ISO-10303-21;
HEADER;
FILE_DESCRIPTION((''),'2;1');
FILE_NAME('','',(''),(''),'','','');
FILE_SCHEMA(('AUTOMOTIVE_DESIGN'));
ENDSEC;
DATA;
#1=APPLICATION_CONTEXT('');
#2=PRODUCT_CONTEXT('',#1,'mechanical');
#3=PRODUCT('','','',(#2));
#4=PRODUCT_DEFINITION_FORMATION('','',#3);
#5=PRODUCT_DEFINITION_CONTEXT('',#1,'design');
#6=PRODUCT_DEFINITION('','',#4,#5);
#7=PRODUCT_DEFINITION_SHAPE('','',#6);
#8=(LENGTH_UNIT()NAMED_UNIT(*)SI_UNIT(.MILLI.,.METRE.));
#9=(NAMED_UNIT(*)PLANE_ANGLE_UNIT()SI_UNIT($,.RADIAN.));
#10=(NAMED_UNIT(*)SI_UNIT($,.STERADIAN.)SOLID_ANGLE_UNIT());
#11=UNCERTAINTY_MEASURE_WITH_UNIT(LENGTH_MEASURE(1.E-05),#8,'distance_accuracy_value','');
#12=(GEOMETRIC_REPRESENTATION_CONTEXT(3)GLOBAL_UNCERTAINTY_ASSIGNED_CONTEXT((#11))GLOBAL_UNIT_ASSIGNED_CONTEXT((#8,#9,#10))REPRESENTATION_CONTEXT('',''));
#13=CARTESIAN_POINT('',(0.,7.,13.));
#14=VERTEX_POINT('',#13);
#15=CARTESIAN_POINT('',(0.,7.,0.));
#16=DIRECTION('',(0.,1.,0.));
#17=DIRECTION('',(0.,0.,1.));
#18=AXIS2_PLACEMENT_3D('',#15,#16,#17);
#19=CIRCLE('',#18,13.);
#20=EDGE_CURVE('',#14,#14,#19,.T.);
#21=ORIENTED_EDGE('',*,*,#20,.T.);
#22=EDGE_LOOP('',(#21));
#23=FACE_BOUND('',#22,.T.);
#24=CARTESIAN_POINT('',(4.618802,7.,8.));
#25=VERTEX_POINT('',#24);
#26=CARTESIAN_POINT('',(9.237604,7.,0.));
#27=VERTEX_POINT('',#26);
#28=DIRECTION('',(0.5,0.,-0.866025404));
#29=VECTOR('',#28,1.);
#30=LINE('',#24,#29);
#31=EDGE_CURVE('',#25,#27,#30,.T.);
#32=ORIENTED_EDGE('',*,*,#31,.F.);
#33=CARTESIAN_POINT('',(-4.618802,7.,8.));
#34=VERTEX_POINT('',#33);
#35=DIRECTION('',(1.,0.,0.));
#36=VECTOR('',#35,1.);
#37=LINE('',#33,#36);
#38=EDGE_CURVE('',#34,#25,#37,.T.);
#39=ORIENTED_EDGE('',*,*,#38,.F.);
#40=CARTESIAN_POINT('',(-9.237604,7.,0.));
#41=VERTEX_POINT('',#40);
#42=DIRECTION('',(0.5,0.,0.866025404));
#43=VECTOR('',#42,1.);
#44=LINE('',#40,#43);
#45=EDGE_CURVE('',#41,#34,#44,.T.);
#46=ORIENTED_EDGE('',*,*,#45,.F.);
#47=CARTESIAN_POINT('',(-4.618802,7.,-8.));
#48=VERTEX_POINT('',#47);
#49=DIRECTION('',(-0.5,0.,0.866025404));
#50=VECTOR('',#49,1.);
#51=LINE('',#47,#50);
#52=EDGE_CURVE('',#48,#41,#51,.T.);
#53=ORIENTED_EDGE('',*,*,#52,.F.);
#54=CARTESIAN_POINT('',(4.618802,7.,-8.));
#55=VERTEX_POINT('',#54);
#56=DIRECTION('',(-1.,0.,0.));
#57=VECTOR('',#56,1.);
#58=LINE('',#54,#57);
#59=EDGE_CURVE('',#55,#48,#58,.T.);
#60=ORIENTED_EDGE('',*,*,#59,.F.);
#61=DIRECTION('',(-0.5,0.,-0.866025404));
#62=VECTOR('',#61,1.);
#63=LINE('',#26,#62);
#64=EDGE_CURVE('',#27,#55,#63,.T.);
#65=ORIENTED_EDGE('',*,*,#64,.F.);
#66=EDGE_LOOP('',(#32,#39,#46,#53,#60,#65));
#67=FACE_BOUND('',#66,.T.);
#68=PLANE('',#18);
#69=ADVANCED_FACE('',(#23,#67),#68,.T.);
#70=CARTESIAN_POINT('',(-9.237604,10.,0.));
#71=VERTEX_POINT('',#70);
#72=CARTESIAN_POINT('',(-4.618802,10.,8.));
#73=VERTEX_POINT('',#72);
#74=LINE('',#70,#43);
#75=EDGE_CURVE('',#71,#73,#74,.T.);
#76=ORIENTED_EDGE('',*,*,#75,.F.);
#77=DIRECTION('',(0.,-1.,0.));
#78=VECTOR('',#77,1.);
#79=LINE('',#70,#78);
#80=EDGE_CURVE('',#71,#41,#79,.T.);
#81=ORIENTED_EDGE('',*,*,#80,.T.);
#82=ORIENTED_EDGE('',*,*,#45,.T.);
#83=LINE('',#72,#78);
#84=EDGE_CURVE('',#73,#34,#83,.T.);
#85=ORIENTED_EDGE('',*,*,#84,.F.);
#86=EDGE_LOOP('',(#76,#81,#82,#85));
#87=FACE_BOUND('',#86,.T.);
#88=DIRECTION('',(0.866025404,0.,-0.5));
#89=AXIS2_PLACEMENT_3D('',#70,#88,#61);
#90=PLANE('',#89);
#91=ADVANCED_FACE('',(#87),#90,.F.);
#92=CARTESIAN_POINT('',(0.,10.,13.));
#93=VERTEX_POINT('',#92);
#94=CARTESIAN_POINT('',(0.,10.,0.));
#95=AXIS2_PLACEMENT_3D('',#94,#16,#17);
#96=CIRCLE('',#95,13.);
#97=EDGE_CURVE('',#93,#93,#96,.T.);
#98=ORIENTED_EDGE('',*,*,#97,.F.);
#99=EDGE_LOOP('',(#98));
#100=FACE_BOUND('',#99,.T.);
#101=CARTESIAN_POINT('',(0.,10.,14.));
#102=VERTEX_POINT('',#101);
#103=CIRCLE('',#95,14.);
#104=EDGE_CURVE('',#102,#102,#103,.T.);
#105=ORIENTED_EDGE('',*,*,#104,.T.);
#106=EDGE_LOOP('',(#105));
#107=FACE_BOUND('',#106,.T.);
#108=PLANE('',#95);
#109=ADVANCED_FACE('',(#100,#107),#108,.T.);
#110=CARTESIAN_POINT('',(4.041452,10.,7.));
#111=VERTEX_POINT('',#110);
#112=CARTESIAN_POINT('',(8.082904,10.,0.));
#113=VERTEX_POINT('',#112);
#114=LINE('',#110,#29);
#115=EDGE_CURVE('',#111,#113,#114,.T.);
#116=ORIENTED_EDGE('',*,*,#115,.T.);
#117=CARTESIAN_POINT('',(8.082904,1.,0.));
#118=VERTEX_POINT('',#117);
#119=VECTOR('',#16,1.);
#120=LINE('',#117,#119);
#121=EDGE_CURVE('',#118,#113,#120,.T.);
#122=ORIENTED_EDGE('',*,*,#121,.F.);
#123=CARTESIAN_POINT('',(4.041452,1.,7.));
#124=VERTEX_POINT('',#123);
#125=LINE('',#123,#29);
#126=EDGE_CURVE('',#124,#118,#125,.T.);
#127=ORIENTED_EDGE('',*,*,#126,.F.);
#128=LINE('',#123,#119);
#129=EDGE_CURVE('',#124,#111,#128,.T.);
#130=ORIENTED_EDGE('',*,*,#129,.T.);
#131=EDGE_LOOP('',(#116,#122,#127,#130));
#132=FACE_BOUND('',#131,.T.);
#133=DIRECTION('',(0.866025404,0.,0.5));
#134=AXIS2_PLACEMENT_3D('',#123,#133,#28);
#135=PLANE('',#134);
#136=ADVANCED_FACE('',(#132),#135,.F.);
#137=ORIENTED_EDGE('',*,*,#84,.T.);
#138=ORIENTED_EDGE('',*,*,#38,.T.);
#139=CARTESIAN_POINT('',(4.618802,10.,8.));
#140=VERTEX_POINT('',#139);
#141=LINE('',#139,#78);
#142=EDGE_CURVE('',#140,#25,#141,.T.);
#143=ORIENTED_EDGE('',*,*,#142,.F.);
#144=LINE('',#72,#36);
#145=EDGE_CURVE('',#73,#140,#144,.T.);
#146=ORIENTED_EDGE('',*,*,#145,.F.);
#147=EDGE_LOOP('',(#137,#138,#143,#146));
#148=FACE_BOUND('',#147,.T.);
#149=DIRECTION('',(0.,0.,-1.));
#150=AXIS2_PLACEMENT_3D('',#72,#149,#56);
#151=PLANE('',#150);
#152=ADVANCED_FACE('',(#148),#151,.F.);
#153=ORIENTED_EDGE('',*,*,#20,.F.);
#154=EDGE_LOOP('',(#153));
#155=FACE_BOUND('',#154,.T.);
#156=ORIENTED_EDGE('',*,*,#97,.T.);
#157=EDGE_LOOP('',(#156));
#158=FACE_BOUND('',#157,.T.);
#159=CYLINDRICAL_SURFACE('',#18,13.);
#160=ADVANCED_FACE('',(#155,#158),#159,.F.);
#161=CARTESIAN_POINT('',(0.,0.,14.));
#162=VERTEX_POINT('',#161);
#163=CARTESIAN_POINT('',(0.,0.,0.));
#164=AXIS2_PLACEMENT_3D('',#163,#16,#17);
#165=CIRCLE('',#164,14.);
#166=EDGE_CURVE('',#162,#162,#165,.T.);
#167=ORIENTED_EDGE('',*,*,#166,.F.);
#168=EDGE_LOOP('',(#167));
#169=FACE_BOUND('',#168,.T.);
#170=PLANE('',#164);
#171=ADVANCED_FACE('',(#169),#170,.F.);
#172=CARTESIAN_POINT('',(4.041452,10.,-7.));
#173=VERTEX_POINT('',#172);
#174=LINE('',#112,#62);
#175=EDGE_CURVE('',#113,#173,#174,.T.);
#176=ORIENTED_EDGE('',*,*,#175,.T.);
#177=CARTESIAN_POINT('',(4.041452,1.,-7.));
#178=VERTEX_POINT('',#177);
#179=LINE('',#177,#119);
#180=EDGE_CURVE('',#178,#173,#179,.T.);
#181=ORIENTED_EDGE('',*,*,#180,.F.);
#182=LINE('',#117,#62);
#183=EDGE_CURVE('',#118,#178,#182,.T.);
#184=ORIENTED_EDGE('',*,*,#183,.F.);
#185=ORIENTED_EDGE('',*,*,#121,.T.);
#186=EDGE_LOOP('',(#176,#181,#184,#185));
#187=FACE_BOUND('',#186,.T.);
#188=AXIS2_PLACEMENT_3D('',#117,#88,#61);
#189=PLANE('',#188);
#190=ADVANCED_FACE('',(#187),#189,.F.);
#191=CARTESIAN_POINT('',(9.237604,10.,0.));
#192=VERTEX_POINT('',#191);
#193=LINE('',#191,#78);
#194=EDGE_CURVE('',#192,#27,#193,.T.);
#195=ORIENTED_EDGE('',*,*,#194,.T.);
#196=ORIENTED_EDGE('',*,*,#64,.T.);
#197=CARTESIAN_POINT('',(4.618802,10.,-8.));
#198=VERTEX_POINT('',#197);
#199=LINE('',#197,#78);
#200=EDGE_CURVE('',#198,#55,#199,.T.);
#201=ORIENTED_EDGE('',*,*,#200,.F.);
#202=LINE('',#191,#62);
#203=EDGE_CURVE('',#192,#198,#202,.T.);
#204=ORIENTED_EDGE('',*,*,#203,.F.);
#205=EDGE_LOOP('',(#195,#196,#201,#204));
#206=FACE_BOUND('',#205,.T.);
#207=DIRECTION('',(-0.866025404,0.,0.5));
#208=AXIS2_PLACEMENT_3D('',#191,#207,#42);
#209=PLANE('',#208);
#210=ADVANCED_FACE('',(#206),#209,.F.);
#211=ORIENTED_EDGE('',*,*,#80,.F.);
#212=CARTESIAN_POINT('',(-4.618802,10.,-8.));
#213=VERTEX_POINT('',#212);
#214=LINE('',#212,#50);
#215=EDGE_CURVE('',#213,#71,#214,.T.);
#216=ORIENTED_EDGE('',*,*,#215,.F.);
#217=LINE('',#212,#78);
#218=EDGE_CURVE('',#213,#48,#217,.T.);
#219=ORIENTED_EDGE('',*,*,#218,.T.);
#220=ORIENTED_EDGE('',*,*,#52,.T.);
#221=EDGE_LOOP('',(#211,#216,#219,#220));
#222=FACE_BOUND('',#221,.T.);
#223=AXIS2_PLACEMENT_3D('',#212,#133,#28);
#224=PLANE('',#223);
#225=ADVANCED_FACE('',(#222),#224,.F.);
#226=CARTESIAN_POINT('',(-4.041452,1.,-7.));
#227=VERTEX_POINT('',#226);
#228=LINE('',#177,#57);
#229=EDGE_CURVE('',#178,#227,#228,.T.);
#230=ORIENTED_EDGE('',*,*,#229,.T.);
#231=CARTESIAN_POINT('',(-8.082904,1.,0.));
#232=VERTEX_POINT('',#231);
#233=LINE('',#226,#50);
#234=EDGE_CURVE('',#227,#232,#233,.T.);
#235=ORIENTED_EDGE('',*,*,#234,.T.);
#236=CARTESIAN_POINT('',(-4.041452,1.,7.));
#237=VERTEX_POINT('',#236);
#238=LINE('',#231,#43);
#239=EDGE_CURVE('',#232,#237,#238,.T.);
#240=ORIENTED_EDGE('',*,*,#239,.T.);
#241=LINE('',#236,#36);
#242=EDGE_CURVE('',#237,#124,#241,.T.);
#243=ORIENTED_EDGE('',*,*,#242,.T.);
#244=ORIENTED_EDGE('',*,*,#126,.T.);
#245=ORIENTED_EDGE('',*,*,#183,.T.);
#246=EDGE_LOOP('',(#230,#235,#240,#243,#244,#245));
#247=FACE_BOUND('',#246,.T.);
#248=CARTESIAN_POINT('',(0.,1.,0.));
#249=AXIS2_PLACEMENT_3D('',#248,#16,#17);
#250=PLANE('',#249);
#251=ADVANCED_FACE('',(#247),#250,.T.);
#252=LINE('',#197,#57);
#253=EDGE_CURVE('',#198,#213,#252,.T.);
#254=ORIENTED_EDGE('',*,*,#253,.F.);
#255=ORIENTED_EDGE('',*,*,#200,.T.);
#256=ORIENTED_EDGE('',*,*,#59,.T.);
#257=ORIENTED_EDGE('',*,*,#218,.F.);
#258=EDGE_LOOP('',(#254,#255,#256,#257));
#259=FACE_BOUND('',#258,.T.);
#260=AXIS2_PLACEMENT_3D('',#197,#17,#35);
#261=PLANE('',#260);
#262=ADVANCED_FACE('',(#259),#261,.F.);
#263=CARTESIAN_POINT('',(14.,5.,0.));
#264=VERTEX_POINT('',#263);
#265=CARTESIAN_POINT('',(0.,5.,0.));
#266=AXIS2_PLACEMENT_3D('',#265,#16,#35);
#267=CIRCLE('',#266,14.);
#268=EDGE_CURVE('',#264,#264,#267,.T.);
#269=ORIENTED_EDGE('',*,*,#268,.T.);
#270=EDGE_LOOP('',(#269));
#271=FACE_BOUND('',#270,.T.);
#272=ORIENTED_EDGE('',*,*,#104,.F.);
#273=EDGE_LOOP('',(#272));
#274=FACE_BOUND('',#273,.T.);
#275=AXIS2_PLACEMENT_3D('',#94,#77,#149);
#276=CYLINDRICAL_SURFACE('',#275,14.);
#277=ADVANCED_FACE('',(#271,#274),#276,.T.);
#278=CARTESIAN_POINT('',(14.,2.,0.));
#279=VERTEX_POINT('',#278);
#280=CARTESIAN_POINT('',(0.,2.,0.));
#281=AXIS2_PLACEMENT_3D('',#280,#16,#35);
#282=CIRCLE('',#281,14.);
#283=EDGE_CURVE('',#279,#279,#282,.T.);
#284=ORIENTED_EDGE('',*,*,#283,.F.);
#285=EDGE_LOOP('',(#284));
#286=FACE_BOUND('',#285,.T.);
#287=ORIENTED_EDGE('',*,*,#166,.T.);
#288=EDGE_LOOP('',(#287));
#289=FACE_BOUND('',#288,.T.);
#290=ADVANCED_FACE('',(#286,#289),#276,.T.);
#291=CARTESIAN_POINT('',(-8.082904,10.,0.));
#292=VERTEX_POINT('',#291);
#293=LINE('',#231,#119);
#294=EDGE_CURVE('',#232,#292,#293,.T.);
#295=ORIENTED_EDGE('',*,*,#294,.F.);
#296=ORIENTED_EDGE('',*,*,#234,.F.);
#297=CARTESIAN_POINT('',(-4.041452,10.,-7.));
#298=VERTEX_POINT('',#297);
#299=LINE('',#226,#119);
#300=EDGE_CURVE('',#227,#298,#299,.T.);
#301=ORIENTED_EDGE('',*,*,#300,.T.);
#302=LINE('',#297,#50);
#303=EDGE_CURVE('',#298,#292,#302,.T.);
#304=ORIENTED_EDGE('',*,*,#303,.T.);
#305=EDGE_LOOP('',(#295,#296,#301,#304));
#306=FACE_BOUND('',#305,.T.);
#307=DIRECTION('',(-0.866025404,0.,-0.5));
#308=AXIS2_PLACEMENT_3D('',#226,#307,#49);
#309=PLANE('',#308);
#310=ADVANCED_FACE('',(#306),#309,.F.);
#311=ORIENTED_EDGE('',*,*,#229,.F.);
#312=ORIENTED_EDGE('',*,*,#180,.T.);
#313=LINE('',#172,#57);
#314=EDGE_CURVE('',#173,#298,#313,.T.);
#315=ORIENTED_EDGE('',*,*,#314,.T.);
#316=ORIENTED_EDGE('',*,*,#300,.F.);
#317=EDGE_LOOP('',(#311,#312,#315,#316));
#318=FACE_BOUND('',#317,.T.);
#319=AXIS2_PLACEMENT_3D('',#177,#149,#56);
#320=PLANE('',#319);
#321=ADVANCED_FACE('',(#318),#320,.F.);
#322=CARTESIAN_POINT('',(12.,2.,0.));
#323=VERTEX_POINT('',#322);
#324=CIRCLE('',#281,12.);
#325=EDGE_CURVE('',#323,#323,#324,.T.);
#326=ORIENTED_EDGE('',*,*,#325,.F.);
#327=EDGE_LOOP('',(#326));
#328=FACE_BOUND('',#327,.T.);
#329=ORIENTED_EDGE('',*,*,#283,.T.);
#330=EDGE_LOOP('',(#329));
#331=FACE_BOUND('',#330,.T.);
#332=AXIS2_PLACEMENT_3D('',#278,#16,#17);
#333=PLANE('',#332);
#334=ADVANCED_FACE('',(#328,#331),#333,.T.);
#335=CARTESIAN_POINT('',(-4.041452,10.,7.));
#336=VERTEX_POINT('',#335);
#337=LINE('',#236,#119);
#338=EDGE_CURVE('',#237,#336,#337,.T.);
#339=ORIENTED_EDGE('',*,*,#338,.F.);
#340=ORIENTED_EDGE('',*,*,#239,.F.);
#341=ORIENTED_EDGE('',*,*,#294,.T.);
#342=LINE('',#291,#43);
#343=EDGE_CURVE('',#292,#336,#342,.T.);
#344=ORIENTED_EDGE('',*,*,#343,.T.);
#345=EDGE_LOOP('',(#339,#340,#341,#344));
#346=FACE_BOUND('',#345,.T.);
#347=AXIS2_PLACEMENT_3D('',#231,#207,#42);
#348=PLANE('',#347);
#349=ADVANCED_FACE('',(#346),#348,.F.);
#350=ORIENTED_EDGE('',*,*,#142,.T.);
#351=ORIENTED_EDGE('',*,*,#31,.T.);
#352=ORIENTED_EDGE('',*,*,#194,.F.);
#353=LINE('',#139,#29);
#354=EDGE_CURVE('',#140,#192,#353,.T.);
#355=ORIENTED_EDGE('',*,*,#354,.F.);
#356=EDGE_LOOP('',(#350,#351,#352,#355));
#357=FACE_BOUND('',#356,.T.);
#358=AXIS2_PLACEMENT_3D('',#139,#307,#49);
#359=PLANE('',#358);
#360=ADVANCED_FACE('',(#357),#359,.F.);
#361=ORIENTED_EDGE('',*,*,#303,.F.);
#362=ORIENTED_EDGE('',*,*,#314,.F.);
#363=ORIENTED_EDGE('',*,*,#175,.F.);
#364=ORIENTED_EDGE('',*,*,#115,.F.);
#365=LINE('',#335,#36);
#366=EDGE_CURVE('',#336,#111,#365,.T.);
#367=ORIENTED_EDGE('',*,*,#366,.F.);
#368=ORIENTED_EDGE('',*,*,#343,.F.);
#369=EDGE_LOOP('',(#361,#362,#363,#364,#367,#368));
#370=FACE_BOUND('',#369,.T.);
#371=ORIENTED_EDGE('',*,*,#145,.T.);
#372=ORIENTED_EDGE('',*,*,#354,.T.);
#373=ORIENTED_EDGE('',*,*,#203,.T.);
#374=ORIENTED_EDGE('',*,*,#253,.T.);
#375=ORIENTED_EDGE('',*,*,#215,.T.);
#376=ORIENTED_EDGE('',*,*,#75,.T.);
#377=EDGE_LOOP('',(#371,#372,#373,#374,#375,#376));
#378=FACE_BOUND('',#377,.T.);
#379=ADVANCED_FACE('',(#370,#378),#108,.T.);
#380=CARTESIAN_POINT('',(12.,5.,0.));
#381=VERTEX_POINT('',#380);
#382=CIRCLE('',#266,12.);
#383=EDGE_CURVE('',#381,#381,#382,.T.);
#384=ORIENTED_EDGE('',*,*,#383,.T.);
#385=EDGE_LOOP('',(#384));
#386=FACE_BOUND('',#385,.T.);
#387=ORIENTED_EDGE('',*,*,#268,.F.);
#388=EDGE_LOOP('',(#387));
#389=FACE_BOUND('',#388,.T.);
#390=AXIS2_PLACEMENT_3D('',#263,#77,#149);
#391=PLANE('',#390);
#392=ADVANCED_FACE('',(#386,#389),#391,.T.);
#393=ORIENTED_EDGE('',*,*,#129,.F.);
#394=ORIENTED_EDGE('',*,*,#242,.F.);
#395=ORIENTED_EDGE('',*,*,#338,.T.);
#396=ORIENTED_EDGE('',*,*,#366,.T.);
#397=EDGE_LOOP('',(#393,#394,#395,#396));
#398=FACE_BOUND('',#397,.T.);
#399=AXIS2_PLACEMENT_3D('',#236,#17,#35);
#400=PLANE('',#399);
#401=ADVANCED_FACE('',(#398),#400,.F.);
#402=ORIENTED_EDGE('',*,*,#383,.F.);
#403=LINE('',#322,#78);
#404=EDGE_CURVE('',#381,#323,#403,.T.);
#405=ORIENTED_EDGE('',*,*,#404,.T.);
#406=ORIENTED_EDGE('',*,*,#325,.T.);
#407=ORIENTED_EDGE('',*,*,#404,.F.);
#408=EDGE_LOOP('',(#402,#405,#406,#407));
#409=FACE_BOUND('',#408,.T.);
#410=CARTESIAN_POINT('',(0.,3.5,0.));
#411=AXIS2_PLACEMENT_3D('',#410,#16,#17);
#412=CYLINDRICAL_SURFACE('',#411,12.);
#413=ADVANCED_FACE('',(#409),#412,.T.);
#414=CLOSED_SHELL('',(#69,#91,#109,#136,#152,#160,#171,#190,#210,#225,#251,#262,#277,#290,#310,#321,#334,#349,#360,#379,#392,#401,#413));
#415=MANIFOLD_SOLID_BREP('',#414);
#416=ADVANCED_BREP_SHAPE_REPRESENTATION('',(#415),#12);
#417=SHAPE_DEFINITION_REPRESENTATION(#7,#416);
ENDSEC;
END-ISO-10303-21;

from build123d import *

# Parameters (mm, degrees)
SKETCH1_R           = 14
BOSS_EXTRUDE1_DEPTH = 10
SKETCH2_R           = 13
CUT_EXTRUDE1_DEPTH  = 3
BOSS_EXTRUDE2_DEPTH = 3
CUT_EXTRUDE2_DEPTH  = 9
SKETCH5_W           = 2
SKETCH5_H           = 3


with BuildPart() as part:
    # Sketch1 → Boss-Extrude1 (new body)
    with BuildSketch(Plane(origin=(0, 0, 0), x_dir=(1, 0, 0), z_dir=(0, 1, 0))):
        with Locations(Location((0, 0, 0), (0, 0, 270))):
            Circle(SKETCH1_R)
    extrude(amount=BOSS_EXTRUDE1_DEPTH)

    # Sketch2 → Cut-Extrude1 (cut)
    with BuildSketch(Plane(origin=(0, 10, 0), x_dir=(1, 0, 0), z_dir=(0, 1, 0))):
        with Locations(Location((0, 0, 0), (0, 0, 270))):
            Circle(SKETCH2_R)
    extrude(amount=-CUT_EXTRUDE1_DEPTH, mode=Mode.SUBTRACT)

    # Sketch3 → Boss-Extrude2 (add)
    with BuildSketch(Plane(origin=(0, 7, 0), x_dir=(1, 0, 0), z_dir=(0, 1, 0))):
        Polygon((9.237604307, 0), (4.618802154, 8), (-4.618802154, 8), (-9.237604307, 0), (-4.618802154, -8), (4.618802154, -8), align=None)
    extrude(amount=BOSS_EXTRUDE2_DEPTH)

    # Sketch4 → Cut-Extrude2 (cut)
    with BuildSketch(Plane(origin=(0, 10, 0), x_dir=(1, 0, 0), z_dir=(0, 1, 0))):
        Polygon((8.082903769, 0), (4.041451884, 7), (-4.041451884, 7), (-8.082903769, 0), (-4.041451884, -7), (4.041451884, -7), align=None)
    extrude(amount=-CUT_EXTRUDE2_DEPTH, mode=Mode.SUBTRACT)

    # Cut-Sweep1: sweep along a path in Sketch6
    with BuildLine(Plane(origin=(0, 3.5, 0), x_dir=(1, 0, 0), z_dir=(0, 1, 0))) as cut_sweep1_path:
        CenterArc((0, 0), 13, 0, 360)
    # Sketch5 → Cut-Sweep1 (sweep, cut)
    with BuildSketch(Plane.XY):
        with Locations((13, 3.5)):
            Rectangle(SKETCH5_W, SKETCH5_H)
    sweep(path=cut_sweep1_path.line, mode=Mode.SUBTRACT)


solid = part.part
